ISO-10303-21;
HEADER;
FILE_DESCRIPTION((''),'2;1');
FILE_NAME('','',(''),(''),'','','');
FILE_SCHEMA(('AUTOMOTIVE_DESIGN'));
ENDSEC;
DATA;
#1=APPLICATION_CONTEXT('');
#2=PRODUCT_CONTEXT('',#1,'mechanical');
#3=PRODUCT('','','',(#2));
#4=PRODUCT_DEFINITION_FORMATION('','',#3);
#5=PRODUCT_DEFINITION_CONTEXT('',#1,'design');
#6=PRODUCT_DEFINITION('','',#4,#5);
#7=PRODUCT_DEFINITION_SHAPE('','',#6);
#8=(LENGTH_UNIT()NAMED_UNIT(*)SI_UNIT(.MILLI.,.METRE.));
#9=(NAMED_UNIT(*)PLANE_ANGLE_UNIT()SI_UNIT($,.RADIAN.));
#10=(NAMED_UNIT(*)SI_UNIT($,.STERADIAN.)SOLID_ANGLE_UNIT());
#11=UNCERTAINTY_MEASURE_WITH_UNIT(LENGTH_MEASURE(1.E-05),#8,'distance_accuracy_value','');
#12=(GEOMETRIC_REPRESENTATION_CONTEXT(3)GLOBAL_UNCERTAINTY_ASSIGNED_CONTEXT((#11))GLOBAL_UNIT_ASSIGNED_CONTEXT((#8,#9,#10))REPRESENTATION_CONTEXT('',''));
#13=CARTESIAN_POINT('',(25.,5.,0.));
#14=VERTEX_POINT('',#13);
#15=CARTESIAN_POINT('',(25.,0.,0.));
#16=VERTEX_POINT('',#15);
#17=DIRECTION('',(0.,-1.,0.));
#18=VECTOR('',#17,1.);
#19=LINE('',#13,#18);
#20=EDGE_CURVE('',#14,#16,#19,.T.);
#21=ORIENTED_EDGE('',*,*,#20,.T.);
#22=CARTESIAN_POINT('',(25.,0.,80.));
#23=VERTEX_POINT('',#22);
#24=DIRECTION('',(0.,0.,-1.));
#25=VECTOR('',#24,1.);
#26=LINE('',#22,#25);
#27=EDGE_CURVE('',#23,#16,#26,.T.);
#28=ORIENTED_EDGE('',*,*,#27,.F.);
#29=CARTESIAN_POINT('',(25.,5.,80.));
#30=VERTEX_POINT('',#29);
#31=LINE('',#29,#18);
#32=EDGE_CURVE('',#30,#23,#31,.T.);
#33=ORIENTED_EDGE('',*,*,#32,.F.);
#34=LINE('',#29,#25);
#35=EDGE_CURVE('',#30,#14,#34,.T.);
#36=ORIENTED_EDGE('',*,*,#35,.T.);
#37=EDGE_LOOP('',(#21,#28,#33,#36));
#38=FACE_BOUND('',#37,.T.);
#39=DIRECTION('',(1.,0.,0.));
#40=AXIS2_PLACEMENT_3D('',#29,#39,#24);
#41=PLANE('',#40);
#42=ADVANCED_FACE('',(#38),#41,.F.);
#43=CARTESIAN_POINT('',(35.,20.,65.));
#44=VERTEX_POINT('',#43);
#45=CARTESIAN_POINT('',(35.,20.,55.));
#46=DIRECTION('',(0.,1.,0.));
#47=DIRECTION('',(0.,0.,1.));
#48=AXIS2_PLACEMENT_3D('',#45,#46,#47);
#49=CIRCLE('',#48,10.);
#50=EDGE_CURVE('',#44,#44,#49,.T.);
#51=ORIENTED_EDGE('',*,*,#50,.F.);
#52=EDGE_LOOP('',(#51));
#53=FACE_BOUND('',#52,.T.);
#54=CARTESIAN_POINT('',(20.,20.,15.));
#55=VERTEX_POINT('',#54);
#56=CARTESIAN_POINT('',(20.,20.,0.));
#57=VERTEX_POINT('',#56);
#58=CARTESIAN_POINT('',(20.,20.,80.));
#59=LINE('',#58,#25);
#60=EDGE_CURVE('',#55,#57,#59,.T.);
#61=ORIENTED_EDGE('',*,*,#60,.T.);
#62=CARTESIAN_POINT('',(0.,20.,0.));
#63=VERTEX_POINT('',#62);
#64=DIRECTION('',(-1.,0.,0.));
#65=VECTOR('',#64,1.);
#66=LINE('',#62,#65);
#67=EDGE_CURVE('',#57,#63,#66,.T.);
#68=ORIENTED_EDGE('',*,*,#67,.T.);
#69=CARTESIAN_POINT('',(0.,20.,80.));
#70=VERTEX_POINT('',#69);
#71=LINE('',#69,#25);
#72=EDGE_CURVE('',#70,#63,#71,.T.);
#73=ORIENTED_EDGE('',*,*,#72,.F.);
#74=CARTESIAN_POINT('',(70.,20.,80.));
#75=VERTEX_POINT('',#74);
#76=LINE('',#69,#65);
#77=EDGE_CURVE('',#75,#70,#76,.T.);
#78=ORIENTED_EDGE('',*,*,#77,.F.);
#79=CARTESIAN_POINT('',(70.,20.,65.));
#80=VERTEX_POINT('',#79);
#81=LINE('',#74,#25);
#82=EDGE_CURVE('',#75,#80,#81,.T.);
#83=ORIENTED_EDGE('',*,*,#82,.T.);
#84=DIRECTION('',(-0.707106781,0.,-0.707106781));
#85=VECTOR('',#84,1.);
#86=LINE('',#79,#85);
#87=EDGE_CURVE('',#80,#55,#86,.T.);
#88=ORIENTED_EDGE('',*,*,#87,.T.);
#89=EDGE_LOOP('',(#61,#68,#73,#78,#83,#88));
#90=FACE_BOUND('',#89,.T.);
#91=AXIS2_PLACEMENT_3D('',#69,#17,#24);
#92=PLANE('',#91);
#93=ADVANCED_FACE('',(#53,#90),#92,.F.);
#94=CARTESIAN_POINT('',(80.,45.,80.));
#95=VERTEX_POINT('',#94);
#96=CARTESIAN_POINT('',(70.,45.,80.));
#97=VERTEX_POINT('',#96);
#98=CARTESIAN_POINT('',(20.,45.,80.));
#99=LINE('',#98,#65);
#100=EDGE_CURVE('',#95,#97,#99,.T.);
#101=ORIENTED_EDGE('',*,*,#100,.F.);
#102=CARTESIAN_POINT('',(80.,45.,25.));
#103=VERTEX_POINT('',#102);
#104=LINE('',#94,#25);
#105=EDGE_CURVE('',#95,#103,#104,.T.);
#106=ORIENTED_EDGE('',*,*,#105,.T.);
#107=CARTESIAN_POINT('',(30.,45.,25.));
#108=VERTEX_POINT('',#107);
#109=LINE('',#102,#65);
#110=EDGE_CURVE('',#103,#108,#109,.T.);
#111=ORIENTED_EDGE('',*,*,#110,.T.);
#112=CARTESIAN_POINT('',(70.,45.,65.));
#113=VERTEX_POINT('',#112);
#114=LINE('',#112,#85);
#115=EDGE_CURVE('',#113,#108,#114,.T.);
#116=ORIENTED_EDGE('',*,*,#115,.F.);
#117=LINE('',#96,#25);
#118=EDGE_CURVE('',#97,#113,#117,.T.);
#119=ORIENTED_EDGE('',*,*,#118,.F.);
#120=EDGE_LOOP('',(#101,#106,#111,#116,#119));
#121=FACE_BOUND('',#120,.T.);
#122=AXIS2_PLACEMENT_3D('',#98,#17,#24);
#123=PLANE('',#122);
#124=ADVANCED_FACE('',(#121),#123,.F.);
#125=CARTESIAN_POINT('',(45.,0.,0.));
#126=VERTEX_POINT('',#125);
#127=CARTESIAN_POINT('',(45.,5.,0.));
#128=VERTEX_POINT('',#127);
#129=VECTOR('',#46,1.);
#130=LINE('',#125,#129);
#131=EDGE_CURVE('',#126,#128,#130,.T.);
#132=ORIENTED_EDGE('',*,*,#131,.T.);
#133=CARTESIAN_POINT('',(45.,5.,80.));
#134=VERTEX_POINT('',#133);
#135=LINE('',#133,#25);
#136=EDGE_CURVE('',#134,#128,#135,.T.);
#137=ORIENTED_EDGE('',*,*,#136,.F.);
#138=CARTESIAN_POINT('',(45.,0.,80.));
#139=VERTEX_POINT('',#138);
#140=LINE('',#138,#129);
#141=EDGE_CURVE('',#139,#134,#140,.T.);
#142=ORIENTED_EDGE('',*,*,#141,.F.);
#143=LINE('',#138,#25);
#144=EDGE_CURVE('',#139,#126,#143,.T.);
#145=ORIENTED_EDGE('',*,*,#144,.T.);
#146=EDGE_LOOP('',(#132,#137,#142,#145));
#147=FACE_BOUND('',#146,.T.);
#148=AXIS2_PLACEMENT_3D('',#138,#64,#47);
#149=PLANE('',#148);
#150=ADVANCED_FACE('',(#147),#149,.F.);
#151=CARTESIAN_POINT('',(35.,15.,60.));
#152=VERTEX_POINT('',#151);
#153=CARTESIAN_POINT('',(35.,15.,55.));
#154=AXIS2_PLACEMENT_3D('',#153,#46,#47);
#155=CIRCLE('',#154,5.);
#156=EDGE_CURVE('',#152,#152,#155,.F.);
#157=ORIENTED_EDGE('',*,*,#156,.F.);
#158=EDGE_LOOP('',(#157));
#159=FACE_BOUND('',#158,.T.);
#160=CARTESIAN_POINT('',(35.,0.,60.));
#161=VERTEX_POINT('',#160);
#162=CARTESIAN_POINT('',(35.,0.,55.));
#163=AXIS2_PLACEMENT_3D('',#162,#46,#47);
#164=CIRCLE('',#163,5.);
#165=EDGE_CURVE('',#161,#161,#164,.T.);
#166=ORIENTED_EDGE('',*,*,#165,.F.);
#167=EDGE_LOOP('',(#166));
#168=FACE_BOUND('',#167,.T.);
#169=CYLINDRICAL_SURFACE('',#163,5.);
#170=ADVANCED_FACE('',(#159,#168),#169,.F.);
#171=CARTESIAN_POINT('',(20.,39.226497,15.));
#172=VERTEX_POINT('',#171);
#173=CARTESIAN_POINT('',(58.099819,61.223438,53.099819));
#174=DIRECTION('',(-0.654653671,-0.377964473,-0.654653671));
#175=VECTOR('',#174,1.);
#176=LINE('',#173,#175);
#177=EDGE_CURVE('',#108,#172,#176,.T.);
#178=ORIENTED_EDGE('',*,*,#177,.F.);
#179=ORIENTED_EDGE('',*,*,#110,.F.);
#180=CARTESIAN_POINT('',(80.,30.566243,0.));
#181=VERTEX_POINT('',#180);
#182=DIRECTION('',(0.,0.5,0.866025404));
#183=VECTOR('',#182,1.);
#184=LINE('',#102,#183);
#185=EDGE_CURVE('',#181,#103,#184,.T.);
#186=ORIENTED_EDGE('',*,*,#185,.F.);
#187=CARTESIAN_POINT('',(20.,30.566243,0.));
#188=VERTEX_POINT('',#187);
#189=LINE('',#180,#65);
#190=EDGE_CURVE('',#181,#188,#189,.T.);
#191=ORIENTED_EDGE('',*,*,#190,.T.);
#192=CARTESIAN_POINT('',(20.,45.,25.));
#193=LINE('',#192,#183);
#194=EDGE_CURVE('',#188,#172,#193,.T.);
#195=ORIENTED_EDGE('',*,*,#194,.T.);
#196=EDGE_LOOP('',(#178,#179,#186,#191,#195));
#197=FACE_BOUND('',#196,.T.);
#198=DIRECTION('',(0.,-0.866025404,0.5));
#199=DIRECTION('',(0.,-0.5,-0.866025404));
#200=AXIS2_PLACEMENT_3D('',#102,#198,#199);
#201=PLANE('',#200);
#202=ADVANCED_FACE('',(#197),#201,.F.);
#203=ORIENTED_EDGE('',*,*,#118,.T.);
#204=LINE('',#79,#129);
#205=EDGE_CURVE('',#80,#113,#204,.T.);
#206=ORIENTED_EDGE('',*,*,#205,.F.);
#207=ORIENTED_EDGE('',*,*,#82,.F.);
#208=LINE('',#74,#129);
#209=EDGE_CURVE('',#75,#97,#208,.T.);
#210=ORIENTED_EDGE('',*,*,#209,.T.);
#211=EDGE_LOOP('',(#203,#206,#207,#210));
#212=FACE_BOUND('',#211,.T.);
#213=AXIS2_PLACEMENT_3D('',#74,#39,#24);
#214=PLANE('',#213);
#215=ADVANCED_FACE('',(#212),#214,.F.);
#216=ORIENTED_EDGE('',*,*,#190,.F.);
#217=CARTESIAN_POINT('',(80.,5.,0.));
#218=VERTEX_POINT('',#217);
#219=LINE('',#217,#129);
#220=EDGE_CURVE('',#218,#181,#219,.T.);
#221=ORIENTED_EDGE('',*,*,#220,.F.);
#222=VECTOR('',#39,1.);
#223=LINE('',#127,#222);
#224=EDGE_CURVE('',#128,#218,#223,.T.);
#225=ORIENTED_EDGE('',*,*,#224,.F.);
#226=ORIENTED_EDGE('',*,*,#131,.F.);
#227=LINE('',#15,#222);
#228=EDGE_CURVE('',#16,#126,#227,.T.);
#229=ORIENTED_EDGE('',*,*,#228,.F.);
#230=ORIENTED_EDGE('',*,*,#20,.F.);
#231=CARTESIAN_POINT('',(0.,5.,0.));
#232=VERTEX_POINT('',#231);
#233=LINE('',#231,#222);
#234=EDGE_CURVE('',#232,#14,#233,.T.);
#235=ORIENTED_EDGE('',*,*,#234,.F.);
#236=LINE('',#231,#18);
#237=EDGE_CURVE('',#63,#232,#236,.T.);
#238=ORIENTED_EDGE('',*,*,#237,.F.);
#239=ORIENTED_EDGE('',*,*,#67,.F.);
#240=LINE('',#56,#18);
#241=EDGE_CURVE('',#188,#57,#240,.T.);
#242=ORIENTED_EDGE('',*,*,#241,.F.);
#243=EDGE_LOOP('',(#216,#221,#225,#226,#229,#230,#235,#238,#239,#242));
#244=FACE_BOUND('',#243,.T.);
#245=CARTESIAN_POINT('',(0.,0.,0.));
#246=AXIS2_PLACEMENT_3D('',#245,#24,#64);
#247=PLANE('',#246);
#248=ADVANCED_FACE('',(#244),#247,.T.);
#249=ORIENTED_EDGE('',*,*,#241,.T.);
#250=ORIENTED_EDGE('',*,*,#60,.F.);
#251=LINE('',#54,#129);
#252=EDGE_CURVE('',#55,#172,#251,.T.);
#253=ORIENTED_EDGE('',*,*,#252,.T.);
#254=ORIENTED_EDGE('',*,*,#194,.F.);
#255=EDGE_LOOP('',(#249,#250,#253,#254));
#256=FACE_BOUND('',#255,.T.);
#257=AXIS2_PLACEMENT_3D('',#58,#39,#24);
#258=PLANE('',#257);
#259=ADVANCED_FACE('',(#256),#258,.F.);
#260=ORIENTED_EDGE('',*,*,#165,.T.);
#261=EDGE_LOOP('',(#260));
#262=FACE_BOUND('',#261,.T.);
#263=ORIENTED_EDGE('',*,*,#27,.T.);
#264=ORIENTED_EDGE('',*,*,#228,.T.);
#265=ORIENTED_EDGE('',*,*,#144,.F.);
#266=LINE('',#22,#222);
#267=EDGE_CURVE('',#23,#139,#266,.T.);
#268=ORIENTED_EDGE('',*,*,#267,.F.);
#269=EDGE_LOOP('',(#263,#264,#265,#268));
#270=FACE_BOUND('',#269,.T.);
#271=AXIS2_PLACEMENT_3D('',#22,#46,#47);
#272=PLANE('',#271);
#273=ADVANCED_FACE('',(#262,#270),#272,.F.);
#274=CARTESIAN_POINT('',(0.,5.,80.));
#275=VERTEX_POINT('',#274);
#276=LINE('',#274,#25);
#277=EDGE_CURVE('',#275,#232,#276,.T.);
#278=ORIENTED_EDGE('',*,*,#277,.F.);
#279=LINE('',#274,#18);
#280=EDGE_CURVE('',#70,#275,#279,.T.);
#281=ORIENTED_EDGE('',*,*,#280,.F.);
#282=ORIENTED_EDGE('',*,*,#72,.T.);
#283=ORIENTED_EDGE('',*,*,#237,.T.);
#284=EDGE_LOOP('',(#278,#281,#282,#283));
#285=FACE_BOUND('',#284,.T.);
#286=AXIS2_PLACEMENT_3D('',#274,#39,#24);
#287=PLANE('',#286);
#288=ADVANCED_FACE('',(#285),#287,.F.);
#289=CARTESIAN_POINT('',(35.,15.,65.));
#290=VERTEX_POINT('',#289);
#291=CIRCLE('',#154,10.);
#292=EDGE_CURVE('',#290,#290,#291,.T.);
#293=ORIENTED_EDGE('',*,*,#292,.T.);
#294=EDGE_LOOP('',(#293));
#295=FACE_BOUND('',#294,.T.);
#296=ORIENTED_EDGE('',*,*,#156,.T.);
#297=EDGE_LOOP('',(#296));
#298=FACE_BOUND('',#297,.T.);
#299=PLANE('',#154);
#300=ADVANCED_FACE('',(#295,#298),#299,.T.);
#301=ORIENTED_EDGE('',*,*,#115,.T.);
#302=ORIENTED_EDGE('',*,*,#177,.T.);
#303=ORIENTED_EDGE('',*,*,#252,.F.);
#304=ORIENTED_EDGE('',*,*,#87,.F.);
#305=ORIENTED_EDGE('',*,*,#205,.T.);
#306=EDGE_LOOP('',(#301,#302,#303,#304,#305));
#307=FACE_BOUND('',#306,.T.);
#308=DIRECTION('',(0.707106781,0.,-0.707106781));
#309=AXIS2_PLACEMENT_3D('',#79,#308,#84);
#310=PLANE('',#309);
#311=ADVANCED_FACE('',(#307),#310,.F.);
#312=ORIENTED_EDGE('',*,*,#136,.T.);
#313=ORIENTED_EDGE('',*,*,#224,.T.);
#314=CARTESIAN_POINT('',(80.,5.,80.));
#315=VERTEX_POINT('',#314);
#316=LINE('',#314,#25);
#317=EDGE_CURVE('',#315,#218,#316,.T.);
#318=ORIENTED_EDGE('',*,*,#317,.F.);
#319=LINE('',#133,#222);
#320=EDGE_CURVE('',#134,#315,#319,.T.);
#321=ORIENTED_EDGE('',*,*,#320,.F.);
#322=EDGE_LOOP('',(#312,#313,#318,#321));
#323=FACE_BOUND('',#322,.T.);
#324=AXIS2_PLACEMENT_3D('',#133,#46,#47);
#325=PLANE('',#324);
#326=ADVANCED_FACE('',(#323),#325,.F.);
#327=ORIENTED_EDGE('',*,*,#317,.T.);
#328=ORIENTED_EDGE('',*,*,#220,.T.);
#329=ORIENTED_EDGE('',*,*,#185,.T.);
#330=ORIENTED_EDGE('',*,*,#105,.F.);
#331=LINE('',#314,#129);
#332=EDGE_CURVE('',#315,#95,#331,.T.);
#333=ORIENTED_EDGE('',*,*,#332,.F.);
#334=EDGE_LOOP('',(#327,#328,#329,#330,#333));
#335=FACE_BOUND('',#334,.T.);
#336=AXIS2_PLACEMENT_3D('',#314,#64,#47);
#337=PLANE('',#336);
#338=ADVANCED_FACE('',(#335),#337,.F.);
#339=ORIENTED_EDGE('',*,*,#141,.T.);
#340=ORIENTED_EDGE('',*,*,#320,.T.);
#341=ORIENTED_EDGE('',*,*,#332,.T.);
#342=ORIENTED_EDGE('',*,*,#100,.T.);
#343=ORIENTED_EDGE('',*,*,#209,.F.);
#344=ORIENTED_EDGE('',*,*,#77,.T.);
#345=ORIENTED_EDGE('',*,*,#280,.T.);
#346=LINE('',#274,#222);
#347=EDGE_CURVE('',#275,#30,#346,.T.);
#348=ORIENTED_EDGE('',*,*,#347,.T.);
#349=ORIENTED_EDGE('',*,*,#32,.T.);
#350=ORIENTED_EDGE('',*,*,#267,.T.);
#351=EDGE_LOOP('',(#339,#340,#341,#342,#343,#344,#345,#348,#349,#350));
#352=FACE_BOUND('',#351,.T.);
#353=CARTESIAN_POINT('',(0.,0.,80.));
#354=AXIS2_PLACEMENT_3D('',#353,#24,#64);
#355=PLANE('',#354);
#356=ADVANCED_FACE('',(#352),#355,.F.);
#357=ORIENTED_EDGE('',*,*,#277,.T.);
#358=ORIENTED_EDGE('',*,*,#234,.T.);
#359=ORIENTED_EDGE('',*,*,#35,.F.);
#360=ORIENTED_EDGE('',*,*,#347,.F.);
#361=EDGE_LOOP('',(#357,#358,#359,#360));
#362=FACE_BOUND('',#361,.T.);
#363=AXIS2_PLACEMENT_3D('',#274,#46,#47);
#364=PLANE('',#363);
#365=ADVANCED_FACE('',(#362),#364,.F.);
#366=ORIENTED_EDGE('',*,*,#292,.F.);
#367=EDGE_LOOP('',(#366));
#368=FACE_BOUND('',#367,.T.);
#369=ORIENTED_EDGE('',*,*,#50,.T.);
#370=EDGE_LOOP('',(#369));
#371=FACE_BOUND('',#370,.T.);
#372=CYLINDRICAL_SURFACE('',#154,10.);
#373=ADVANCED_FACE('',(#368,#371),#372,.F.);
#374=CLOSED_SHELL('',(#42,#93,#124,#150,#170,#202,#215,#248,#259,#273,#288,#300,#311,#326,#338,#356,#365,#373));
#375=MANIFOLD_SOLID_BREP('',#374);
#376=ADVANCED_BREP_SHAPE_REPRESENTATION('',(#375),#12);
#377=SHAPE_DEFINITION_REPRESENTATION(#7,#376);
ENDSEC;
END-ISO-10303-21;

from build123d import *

# Parameters (mm, degrees)
BOSS_EXTRUDE1_DEPTH = 80
CUT_EXTRUDE1_DEPTH  = 25
CUT_EXTRUDE2_DEPTH  = 110.658560997
SKETCH4_R           = 5
CUT_EXTRUDE3_DEPTH  = 116.866302263
SKETCH5_R           = 10
CUT_EXTRUDE5_DEPTH  = 5


with BuildPart() as part:
    # Sketch1 → Boss-Extrude1 (new body)
    with BuildSketch(Plane.XY):
        Polygon((0, 5), (25, 5), (25, 0), (45, 0), (45, 5), (80, 5), (80, 45), (20, 45), (20, 20), (0, 20), align=None)
    extrude(amount=BOSS_EXTRUDE1_DEPTH)

    # Sketch2 → Cut-Extrude1 (cut)
    with BuildSketch(Plane(origin=(0, 45, 0), x_dir=(1, 0, 0), z_dir=(0, 1, 0))):
        Polygon((70, -80), (70, -65), (20, -15), (20, -80), align=None)
    extrude(amount=-CUT_EXTRUDE1_DEPTH, mode=Mode.SUBTRACT)

    # Sketch3 → Cut-Extrude2 (cut, through all)
    with BuildSketch(Plane.ZY.offset(-20)):
        Polygon((25, 45), (0, 30.56624327), (0, 45), align=None)
    extrude(amount=-CUT_EXTRUDE2_DEPTH, mode=Mode.SUBTRACT)

    # Sketch4 → Cut-Extrude3 (cut, through all)
    with BuildSketch(Plane(origin=(0, 20, 0), x_dir=(1, 0, 0), z_dir=(0, 1, 0))):
        with Locations(Location((35, -55, 0), (0, 0, 270))):
            Circle(SKETCH4_R)
    extrude(amount=-CUT_EXTRUDE3_DEPTH, mode=Mode.SUBTRACT)

    # Sketch5 → Cut-Extrude5 (cut)
    with BuildSketch(Plane(origin=(0, 20, 0), x_dir=(1, 0, 0), z_dir=(0, 1, 0))):
        with Locations(Location((35, -55, 0), (0, 0, 270))):
            Circle(SKETCH5_R)
    extrude(amount=-CUT_EXTRUDE5_DEPTH, mode=Mode.SUBTRACT)


solid = part.part
